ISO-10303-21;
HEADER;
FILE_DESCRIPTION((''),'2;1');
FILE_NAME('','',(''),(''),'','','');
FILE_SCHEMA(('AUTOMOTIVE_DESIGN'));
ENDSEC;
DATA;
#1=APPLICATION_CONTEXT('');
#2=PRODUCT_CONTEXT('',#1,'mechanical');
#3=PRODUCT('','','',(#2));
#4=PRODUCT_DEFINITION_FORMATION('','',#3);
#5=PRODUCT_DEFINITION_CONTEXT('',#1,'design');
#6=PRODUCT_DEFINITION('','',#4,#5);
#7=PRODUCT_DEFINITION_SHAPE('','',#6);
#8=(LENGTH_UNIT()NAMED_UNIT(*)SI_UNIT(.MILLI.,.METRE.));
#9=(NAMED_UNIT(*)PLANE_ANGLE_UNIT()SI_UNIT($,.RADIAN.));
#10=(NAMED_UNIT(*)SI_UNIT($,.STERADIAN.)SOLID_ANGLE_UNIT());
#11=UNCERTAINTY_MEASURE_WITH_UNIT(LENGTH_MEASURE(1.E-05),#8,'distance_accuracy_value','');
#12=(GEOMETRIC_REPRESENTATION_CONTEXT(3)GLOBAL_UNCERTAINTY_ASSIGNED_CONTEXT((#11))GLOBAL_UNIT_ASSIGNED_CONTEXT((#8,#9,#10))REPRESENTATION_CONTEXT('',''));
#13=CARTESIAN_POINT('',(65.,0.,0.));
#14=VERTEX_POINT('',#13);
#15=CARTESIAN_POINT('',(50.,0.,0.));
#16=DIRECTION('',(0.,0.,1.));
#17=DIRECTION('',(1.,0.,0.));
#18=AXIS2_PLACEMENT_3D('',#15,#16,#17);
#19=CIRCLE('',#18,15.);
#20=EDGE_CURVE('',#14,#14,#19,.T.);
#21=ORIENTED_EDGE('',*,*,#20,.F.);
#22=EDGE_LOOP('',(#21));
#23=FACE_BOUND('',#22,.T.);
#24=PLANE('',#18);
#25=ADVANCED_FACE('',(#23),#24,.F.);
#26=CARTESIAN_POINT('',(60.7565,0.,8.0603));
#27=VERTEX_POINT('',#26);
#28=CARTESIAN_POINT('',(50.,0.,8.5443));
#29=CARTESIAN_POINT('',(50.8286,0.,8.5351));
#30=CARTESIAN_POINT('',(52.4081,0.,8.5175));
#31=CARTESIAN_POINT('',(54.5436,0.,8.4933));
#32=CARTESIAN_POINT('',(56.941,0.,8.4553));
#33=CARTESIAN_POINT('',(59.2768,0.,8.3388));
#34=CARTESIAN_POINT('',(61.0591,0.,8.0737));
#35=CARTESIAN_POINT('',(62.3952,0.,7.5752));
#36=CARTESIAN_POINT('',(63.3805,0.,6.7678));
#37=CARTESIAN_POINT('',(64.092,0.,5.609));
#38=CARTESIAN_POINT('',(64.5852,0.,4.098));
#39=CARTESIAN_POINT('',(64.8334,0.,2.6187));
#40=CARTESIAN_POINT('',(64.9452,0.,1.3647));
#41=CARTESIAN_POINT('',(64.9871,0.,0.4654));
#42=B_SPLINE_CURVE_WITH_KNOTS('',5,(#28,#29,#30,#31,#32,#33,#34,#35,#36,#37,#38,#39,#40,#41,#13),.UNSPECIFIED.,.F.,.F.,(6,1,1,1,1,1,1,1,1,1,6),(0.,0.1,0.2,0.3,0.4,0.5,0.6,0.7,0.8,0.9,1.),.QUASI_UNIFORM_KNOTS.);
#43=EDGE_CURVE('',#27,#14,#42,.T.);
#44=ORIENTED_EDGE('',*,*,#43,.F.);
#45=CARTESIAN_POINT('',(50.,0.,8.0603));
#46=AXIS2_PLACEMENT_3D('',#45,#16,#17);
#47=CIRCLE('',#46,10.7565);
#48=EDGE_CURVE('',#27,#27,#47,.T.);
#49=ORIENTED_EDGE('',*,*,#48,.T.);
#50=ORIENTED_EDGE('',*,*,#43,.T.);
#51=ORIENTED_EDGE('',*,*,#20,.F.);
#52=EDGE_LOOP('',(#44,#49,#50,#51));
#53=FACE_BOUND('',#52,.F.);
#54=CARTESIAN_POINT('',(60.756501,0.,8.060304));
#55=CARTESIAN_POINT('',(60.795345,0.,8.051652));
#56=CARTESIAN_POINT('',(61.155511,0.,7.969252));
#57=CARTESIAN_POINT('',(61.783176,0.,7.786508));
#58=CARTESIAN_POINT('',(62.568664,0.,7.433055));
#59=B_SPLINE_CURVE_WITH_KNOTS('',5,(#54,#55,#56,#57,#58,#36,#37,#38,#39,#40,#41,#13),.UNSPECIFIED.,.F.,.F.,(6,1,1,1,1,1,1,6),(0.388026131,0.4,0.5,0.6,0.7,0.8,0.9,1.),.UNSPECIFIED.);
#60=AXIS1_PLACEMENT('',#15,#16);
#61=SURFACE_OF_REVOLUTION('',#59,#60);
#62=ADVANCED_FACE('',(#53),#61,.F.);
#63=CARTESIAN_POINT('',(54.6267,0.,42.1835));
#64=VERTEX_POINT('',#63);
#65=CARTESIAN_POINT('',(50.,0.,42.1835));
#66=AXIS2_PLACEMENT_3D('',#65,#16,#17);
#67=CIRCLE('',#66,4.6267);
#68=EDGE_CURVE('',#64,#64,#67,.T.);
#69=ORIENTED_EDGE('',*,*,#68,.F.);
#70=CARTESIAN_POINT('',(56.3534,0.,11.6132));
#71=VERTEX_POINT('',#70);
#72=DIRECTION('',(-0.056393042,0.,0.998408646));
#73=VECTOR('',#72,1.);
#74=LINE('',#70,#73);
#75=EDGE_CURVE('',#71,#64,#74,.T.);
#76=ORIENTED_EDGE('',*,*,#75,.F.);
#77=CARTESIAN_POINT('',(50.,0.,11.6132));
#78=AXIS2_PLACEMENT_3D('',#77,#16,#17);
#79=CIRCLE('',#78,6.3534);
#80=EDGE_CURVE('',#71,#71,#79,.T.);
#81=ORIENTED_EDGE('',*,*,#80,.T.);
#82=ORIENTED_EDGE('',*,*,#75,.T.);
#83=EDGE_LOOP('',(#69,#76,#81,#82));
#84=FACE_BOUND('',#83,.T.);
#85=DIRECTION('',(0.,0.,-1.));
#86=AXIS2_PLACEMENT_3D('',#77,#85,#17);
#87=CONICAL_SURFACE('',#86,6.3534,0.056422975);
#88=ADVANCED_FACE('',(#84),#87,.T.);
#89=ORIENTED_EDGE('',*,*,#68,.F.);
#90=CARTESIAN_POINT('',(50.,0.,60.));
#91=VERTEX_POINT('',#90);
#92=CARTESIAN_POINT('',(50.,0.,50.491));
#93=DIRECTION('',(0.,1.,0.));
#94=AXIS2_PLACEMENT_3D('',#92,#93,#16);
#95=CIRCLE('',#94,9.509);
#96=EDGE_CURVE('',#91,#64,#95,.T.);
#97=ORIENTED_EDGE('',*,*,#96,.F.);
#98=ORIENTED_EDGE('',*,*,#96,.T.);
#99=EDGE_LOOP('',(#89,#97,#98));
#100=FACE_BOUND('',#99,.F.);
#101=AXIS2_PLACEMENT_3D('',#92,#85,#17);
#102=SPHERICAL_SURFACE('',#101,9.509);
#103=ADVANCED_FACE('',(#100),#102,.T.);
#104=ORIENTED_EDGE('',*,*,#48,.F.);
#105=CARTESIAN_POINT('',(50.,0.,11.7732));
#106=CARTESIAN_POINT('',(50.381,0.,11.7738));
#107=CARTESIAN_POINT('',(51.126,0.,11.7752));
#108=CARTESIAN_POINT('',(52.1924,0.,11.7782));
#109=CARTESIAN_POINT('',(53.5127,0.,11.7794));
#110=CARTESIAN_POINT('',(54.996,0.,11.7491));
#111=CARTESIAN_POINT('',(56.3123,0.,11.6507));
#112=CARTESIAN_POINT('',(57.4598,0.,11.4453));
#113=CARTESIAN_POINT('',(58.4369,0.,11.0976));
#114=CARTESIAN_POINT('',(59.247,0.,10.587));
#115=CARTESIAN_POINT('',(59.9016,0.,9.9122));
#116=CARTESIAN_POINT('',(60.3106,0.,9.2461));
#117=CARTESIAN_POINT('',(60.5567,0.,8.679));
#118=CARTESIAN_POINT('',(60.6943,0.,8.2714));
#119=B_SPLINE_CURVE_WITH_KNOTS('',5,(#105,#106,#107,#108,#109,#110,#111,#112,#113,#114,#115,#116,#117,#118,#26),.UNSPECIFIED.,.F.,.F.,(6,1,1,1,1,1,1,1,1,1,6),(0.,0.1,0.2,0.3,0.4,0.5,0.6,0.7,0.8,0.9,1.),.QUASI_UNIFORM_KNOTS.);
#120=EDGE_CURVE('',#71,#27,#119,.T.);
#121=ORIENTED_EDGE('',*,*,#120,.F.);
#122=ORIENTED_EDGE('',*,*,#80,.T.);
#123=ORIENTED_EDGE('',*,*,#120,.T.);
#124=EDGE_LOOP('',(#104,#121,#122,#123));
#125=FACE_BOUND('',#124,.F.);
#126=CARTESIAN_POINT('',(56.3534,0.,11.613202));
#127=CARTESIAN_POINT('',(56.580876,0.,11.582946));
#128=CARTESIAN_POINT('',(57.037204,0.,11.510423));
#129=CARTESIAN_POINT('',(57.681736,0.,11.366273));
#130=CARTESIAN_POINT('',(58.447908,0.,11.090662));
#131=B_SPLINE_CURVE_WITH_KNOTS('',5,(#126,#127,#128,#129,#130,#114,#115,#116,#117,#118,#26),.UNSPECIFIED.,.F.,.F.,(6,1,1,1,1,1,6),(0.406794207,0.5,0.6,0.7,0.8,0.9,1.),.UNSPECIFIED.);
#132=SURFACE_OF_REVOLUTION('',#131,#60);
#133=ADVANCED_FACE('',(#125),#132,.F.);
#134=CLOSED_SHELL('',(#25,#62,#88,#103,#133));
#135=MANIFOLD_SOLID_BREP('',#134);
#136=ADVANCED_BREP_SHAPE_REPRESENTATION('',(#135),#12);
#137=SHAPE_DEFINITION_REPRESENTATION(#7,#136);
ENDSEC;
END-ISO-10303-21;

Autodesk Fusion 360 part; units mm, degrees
sketch "Sketch1" plane through (0, 0, 0) normal (0, 1, 0) x (1, 0, 0)
  line L0 (50, 0) -> (50, -60)
  circle A0 centre (50, -50.491) radius 9.509
  line L1 (50, 0) -> (65, 0)
  spline S0 degree 5 poles (50, -8.5443) (50.8286, -8.5351) (52.4081, -8.5175) (54.5436, -8.4933) (56.941, -8.4553) (59.2768, -8.3388) (61.0591, -8.0737) (62.3952, -7.5752) (63.3805, -6.7678) (64.092, -5.609) (64.5852, -4.098) (64.8334, -2.6187) (64.9452, -1.3647) (64.9871, -0.4654) (65, 0) knots 0 0 0 0 0 0 0.1 0.2 0.3 0.4 0.5 0.6 0.7 0.8 0.9 1 1 1 1 1 1
  line L2 (46, -8.5886) -> (54, -8.5)
  spline S1 degree 5 poles (50, -11.7732) (50.381, -11.7738) (51.126, -11.7752) (52.1924, -11.7782) (53.5127, -11.7794) (54.996, -11.7491) (56.3123, -11.6507) (57.4598, -11.4453) (58.4369, -11.0976) (59.247, -10.587) (59.9016, -9.9122) (60.3106, -9.2461) (60.5567, -8.679) (60.6943, -8.2714) (60.7565, -8.0603) knots 0 0 0 0 0 0 0.1 0.2 0.3 0.4 0.5 0.6 0.7 0.8 0.9 1 1 1 1 1 1
  line L3 (48.2485, -11.7706) -> (51.7515, -11.7758)
  line L4 (56.3534, -11.6132) -> (54.6267, -42.1835)
  point P0 (63, -7)
  point P1 (58.1447, -11.1686)
revolve "Revolve1" add sketch "Sketch1" angle 360 about axis through (50, 0, 0) along (0, 0, 1) contours L0 L1 S0 | L0 S0 S1 L3 | L0 A0 S1 L3 L4 | L0 A0 picked at (52.8975, -48.5628)
